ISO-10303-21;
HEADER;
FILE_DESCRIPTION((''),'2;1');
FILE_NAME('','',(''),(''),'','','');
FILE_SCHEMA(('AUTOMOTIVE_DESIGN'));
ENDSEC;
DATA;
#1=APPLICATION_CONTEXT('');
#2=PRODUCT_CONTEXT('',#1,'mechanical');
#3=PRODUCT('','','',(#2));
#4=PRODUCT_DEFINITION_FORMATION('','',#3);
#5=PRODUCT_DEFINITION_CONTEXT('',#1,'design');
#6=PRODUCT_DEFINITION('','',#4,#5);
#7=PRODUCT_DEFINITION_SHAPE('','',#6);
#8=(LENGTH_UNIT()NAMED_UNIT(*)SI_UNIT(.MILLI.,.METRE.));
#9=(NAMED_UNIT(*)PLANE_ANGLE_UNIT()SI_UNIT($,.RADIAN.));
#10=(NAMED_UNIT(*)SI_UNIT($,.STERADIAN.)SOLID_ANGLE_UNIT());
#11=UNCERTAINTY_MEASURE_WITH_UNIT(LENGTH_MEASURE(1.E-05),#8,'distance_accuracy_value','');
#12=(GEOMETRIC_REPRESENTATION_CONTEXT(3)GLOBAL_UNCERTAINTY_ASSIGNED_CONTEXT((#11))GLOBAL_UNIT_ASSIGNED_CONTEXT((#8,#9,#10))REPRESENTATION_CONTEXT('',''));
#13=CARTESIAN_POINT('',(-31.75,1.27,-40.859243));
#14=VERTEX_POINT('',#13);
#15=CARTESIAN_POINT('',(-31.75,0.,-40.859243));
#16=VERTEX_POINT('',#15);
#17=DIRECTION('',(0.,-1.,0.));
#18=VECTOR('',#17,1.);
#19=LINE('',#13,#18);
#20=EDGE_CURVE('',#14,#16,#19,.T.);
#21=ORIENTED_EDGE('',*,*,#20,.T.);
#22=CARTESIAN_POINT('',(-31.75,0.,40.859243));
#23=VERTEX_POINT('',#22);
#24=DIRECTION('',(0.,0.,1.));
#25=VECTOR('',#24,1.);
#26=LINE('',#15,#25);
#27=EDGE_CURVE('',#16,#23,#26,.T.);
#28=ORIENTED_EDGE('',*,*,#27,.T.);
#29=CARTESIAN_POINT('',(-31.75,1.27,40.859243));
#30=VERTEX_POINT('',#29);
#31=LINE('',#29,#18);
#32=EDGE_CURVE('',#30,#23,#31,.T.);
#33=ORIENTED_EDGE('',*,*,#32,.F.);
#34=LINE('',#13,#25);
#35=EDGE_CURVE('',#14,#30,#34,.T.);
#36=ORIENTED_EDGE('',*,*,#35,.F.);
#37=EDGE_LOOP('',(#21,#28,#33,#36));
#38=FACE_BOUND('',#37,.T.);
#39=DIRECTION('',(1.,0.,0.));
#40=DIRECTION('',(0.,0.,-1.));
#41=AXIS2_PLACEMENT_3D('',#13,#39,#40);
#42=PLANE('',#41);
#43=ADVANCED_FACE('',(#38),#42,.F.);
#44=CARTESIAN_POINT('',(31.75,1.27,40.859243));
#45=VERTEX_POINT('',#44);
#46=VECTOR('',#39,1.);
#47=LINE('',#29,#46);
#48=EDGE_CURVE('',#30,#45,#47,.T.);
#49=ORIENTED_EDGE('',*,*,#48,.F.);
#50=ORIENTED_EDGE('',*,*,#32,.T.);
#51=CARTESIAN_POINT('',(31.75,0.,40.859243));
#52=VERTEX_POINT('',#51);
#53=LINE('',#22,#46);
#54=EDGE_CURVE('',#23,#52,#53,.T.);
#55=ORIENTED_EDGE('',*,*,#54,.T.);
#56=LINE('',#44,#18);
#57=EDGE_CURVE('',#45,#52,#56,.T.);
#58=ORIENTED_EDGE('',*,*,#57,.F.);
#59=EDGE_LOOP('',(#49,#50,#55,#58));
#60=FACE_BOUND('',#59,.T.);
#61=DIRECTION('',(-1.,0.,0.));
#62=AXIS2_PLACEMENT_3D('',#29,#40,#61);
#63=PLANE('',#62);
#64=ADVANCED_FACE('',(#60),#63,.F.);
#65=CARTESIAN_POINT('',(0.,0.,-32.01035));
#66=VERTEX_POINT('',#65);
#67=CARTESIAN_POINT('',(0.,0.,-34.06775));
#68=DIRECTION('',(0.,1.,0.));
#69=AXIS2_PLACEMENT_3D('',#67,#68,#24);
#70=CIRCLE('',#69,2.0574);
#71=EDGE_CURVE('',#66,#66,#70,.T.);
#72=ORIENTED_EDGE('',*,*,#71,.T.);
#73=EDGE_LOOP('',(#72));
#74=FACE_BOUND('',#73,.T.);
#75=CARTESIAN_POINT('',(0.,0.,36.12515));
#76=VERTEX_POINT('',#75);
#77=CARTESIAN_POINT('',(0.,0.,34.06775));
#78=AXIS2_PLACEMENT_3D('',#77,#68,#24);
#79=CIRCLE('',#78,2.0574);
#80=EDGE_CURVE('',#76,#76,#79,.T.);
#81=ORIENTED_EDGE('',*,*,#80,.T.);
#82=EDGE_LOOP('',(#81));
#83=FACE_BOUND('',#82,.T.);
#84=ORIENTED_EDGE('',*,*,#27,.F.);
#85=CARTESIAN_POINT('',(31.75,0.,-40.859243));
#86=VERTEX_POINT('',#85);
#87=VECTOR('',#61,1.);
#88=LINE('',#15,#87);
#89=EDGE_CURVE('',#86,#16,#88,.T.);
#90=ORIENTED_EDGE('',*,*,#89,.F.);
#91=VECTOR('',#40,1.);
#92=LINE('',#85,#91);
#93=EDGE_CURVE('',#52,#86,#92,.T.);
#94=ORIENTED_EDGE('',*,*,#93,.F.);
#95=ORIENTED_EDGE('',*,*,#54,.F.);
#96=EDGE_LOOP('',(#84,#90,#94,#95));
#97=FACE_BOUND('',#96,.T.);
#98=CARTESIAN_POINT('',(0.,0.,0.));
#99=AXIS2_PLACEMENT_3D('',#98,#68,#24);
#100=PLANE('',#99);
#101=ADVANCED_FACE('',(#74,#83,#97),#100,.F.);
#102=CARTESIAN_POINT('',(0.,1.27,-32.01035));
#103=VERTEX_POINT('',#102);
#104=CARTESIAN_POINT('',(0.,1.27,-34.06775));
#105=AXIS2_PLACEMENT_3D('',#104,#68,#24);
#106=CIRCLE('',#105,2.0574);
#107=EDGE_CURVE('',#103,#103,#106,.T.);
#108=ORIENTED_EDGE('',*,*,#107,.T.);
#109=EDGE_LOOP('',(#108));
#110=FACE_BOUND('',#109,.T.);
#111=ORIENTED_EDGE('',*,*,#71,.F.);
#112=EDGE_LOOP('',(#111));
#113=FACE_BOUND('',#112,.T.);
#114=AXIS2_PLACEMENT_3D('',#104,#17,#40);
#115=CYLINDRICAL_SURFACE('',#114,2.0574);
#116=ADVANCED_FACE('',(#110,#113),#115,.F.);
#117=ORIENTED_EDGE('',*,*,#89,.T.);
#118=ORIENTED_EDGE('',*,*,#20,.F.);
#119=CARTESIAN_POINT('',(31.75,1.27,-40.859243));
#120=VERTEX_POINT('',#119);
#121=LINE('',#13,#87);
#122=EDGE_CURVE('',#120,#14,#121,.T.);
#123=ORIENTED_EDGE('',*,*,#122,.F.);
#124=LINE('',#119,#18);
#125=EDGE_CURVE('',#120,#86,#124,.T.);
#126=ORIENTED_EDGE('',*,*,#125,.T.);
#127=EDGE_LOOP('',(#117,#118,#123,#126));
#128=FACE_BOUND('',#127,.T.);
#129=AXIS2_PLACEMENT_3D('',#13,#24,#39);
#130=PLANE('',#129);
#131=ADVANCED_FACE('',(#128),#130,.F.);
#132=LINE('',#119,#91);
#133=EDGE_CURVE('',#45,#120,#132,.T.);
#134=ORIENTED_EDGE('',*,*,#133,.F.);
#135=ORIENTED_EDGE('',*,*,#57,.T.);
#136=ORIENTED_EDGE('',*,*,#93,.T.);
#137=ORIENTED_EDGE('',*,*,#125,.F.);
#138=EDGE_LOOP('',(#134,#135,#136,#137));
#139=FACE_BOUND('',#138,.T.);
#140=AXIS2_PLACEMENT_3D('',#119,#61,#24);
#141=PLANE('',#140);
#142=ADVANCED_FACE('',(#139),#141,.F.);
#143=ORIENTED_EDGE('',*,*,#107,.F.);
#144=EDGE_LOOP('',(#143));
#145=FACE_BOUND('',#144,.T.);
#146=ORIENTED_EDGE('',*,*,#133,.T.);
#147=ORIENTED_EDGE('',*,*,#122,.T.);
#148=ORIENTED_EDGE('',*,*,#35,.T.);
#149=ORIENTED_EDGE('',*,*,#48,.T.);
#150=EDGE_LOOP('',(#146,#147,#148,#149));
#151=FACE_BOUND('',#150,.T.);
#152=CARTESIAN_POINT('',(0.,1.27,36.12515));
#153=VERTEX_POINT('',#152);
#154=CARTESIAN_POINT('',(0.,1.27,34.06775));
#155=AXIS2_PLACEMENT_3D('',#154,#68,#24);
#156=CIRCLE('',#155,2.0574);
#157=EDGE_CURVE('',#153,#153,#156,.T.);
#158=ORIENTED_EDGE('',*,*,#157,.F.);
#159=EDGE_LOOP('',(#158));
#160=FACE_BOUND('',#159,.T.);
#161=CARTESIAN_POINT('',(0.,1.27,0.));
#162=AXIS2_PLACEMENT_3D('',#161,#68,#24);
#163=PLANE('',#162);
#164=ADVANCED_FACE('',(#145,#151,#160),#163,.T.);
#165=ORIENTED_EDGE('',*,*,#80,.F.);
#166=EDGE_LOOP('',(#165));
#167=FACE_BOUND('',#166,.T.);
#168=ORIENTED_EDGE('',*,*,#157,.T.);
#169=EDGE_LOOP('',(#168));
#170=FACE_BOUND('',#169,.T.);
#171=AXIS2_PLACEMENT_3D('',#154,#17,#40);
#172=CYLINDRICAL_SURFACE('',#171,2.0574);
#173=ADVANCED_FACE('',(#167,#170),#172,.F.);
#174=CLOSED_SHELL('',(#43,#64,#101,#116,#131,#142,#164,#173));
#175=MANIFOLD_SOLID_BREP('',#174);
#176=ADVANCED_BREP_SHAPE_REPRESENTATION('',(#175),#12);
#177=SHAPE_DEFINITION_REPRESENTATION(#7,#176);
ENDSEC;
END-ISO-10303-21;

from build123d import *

# Parameters (mm, degrees)
SKETCH1_W           = 63.5
SKETCH1_H           = 81.718485214
SKETCH1_R           = 2.0574
BOSS_EXTRUDE1_DEPTH = 1.27


with BuildPart() as part:
    # Sketch1 → Boss-Extrude1 (new body)
    with BuildSketch(Plane(origin=(0, 0, 0), x_dir=(1, 0, 0), z_dir=(0, 1, 0))):
        Rectangle(SKETCH1_W, SKETCH1_H)
        with Locations(Location((0, 34.06775, 0), (0, 0, 270))):
            Circle(SKETCH1_R, mode=Mode.SUBTRACT)
        with Locations(Location((0, -34.06775, 0), (0, 0, 270))):
            Circle(SKETCH1_R, mode=Mode.SUBTRACT)
    extrude(amount=BOSS_EXTRUDE1_DEPTH)


solid = part.part
